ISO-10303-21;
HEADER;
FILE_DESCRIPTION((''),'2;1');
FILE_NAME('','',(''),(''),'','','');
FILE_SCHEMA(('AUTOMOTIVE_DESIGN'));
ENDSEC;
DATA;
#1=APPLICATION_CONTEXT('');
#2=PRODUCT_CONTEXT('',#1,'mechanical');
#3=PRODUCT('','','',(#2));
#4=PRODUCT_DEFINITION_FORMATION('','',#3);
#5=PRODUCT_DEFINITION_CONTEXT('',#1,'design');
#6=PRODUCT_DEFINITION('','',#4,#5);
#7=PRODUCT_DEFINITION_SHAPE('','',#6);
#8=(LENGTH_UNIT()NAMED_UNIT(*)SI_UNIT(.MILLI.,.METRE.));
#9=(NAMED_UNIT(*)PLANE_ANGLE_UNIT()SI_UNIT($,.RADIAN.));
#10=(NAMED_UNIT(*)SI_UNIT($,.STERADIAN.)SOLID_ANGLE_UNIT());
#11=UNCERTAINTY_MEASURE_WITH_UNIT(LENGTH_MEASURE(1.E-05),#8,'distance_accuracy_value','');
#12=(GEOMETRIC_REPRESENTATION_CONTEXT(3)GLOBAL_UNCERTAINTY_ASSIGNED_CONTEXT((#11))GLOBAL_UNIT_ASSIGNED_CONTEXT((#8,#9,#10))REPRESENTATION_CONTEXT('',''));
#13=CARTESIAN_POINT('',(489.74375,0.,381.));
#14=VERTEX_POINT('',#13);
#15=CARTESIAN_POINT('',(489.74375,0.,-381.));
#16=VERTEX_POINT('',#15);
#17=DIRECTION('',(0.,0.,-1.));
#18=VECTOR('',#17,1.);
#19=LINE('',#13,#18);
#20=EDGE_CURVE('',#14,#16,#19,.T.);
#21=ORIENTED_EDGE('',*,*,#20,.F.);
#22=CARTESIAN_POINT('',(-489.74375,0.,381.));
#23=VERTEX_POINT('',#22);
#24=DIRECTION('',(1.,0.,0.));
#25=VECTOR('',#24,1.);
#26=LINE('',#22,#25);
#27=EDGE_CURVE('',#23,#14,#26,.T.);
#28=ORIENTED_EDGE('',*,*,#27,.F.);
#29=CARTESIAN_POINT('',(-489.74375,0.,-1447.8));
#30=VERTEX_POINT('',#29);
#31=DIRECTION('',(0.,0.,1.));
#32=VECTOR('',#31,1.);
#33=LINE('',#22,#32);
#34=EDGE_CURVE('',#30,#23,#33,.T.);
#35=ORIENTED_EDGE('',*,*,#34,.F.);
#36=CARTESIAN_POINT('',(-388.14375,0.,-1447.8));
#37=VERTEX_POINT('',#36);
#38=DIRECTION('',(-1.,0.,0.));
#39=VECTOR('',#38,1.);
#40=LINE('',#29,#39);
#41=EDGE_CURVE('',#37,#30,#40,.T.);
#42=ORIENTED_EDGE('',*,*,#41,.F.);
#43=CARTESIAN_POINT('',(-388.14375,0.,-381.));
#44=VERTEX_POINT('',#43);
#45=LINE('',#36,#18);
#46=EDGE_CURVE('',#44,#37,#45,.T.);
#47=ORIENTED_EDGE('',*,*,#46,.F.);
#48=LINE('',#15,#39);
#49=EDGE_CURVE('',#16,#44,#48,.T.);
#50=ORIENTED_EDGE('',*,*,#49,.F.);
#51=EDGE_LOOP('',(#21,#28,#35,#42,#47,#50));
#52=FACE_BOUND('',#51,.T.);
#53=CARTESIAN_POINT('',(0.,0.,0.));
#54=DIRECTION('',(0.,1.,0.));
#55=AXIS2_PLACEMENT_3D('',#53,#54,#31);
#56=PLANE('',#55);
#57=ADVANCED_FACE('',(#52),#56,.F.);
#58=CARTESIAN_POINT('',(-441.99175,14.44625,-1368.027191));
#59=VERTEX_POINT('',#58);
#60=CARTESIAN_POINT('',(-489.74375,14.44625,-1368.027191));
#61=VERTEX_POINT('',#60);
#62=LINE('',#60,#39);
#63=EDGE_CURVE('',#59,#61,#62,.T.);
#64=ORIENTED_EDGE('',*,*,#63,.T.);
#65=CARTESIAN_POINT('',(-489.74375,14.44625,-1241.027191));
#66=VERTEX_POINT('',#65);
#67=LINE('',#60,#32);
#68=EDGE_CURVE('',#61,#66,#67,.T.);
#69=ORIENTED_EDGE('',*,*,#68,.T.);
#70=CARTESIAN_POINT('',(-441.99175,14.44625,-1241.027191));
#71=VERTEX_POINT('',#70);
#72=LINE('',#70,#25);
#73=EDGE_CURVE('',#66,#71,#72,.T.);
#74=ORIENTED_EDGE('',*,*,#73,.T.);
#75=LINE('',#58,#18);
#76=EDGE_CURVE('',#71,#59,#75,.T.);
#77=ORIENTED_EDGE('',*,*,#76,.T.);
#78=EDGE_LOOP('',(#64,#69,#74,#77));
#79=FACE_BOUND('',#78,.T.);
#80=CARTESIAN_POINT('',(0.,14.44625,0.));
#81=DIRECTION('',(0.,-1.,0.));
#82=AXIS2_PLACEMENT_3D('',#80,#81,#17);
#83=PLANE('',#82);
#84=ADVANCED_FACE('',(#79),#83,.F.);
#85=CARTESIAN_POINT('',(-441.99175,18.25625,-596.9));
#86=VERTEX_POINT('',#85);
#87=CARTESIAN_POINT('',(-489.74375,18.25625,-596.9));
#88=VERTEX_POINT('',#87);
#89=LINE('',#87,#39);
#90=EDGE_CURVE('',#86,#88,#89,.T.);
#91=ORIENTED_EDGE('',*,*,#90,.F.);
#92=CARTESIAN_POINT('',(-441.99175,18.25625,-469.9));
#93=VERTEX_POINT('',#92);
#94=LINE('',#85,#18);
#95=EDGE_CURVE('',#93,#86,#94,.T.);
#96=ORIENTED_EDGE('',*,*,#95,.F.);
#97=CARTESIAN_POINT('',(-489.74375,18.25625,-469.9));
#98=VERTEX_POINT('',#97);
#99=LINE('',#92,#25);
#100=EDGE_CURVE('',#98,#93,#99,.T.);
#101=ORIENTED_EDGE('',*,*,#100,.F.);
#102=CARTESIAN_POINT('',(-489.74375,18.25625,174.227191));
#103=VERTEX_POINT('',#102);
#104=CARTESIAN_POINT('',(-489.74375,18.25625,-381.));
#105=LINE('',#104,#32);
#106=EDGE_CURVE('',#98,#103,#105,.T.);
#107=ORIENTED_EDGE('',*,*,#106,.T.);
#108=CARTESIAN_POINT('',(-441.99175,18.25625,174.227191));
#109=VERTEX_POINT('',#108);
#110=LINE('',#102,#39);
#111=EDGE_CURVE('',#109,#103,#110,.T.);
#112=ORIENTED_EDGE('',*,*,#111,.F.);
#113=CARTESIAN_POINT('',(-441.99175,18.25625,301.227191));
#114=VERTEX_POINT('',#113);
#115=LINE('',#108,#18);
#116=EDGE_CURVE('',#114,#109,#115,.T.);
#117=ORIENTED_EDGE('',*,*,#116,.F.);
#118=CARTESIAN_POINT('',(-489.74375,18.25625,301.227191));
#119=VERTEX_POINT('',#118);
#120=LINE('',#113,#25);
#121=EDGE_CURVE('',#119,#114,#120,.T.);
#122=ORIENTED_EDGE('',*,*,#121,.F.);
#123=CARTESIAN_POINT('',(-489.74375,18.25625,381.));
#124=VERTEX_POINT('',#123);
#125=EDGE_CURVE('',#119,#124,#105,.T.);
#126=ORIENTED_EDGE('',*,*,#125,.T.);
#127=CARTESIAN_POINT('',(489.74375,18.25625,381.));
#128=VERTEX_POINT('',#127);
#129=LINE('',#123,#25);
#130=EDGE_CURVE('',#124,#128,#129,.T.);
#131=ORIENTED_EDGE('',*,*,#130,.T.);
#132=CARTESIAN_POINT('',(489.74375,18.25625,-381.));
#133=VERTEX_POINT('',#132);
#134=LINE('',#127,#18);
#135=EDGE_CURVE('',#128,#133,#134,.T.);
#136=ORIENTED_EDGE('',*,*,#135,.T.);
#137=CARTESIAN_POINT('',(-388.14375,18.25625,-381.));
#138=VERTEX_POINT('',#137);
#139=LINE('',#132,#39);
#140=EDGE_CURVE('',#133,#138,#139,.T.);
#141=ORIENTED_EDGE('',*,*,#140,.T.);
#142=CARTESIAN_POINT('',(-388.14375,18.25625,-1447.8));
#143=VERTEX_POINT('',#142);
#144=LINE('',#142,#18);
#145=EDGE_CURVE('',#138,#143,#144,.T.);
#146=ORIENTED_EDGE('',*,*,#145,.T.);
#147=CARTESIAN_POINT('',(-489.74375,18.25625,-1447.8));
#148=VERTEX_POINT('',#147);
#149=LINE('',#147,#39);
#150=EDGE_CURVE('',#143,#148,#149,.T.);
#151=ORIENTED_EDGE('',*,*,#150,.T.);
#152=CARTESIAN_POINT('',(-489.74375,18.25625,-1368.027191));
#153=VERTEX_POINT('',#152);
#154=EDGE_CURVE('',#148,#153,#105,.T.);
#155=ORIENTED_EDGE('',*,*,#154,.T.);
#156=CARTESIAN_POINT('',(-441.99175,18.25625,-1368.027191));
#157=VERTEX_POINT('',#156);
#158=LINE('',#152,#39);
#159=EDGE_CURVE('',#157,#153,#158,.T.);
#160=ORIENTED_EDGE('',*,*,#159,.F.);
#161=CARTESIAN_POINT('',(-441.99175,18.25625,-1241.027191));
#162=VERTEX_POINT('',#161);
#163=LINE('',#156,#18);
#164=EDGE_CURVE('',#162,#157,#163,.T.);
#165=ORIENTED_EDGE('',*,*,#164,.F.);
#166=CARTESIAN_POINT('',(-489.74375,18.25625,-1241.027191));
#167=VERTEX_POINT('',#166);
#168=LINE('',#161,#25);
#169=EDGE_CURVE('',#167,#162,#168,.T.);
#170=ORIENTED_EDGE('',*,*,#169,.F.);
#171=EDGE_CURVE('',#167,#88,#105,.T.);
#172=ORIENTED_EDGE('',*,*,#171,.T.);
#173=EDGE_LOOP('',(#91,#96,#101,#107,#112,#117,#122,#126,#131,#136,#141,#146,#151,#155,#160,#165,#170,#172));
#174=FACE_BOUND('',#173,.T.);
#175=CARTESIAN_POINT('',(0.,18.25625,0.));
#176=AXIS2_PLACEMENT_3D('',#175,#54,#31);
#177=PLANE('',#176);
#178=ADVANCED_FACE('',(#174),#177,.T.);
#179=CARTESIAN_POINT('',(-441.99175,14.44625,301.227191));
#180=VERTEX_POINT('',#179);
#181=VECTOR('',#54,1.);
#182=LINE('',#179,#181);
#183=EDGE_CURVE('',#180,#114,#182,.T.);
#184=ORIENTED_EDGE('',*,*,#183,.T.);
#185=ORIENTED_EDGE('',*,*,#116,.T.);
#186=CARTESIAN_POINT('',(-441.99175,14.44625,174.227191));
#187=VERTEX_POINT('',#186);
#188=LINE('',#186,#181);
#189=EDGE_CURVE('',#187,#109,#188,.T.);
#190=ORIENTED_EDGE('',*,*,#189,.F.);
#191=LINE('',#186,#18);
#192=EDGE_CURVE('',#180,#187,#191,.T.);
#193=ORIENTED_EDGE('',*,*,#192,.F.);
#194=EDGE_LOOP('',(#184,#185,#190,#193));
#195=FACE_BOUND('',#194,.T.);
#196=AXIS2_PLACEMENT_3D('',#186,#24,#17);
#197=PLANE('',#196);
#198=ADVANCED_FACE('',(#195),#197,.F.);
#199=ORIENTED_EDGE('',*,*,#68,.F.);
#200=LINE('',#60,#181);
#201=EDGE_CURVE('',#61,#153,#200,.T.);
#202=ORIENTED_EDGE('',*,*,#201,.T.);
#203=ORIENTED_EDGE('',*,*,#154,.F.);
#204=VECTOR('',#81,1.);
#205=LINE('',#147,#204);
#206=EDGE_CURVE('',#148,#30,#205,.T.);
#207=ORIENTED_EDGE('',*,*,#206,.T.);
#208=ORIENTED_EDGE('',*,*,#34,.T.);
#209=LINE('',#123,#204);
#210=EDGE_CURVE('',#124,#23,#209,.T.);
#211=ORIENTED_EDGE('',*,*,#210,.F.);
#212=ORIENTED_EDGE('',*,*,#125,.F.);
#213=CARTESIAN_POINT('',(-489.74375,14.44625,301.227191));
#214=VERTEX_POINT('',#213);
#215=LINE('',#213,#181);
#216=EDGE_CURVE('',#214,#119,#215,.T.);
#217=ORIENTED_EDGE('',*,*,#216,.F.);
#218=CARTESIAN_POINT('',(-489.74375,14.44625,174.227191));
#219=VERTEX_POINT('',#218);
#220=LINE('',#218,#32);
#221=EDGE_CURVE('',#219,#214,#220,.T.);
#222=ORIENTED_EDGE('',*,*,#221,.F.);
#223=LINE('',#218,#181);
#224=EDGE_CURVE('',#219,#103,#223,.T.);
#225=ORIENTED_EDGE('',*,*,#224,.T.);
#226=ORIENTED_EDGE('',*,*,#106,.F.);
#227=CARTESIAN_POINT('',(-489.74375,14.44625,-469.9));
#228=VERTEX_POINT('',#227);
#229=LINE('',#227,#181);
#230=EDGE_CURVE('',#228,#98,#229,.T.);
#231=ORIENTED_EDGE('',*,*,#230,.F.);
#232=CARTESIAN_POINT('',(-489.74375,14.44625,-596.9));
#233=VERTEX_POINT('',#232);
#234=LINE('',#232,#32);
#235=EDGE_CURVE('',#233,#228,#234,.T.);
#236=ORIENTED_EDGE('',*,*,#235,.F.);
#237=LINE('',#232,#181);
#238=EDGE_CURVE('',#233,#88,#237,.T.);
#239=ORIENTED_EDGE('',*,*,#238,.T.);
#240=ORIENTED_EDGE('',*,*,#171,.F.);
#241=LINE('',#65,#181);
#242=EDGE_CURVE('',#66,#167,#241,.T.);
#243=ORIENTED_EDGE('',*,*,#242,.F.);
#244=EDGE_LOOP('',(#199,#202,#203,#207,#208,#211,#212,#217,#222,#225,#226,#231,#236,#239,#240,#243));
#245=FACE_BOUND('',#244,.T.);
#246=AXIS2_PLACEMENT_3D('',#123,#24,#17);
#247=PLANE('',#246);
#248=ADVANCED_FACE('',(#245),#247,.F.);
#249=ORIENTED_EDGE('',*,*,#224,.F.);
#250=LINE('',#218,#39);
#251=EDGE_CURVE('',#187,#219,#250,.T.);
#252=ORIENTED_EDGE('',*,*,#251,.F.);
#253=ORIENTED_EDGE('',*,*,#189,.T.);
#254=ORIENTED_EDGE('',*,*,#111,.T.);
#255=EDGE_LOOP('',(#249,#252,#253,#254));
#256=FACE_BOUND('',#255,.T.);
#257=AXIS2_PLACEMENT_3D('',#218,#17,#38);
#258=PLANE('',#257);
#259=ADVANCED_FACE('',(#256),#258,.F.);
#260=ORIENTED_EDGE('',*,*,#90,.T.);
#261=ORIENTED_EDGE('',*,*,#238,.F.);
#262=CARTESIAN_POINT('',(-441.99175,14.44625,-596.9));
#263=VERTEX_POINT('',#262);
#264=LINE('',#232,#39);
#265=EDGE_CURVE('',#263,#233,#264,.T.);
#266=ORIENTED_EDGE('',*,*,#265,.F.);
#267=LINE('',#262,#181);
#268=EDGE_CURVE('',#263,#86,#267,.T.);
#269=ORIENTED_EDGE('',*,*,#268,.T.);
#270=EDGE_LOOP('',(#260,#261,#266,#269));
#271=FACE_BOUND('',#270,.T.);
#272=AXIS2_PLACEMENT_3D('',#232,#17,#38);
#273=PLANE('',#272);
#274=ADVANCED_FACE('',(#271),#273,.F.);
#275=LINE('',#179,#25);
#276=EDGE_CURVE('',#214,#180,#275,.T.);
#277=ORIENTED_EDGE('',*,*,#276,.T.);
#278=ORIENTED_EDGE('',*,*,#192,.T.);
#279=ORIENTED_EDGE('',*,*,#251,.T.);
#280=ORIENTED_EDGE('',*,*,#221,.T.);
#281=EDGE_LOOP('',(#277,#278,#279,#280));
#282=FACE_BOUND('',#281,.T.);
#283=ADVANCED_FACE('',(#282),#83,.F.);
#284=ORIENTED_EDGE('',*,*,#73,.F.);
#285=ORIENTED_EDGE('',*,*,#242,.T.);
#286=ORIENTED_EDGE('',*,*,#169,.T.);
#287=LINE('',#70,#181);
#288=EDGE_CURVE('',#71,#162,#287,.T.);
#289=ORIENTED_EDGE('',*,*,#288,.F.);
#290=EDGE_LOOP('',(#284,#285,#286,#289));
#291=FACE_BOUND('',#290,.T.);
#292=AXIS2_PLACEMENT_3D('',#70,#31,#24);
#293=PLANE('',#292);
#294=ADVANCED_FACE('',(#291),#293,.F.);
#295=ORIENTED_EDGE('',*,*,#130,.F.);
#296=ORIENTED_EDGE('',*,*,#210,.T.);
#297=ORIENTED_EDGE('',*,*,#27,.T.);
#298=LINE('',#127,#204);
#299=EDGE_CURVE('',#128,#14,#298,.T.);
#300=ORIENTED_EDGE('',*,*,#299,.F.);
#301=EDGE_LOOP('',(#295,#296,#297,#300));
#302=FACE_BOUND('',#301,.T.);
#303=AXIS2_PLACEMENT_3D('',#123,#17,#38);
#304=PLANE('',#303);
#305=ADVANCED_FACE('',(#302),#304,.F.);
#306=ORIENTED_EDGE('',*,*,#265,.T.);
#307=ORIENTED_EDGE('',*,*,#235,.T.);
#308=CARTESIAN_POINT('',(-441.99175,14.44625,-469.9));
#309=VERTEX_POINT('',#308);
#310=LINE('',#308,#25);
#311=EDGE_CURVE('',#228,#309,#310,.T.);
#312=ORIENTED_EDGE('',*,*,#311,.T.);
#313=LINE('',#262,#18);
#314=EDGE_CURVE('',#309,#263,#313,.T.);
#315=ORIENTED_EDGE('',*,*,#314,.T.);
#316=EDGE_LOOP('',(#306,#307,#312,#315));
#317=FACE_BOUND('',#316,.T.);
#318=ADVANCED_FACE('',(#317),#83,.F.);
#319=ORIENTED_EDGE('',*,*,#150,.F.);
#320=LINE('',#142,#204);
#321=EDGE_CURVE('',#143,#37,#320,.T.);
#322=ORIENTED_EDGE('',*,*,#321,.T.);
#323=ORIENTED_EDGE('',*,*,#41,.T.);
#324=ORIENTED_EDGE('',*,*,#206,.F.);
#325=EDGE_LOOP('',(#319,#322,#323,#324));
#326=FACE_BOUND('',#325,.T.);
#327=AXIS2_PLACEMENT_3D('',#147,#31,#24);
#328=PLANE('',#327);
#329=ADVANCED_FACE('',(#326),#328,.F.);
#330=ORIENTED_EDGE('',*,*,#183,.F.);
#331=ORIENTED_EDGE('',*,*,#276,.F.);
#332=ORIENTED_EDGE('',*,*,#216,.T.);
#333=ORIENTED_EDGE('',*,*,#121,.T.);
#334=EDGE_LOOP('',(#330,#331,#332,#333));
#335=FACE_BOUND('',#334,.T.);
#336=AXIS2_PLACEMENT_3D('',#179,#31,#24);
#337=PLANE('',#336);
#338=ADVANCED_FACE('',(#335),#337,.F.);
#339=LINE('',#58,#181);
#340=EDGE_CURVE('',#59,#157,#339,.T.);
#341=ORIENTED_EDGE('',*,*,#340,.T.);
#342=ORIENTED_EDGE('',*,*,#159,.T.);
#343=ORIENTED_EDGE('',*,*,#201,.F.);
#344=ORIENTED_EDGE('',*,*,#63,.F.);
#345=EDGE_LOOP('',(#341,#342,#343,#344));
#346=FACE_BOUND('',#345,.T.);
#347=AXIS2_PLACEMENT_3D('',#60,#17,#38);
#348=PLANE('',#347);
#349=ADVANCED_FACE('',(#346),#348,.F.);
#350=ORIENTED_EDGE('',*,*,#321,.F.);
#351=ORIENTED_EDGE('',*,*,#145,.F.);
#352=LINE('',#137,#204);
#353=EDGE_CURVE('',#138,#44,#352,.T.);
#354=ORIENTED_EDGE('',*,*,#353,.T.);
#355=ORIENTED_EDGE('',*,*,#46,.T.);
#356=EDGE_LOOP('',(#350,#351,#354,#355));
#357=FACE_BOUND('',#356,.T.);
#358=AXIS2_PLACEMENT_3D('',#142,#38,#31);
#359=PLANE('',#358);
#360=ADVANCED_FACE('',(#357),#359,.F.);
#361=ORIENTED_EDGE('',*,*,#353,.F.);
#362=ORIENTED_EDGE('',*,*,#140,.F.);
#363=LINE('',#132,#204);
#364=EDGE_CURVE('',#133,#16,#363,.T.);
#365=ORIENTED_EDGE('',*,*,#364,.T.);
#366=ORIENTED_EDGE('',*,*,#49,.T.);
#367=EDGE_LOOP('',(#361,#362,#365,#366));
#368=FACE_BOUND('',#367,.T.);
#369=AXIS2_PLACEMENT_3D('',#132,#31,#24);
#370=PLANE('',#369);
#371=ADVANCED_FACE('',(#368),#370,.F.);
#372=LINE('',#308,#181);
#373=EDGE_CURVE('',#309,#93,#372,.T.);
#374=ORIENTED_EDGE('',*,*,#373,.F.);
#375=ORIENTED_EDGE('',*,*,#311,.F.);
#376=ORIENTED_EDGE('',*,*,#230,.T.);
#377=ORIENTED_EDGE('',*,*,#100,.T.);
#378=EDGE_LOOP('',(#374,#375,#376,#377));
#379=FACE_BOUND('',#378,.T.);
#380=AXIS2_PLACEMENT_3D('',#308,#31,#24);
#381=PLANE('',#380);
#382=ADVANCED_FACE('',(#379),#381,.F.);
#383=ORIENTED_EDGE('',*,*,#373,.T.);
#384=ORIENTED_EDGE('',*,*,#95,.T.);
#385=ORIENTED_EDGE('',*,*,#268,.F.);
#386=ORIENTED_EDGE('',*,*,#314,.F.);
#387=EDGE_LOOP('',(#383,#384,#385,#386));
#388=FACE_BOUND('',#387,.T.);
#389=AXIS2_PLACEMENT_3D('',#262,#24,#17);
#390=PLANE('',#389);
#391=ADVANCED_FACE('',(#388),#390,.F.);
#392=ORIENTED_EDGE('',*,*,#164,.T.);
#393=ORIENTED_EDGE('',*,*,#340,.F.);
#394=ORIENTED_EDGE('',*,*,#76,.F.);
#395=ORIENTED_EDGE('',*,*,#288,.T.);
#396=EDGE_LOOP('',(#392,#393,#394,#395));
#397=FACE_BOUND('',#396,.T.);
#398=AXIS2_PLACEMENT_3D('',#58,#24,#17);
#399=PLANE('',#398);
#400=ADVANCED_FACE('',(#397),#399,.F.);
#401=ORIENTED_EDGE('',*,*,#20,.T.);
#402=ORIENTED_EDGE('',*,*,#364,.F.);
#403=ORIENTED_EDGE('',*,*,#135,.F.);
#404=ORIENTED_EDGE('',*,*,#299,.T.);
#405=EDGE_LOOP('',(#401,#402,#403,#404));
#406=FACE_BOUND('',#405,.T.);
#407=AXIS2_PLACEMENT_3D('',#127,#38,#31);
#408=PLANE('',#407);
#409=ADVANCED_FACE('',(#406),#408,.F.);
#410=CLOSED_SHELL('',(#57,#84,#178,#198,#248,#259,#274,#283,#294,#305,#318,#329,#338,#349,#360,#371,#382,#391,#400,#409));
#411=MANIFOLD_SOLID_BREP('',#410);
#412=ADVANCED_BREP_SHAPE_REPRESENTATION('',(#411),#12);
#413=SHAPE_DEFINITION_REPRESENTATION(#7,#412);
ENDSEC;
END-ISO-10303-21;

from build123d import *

# Parameters (mm, degrees)
BOSS_EXTRUDE1_DEPTH = 18.25625
SKETCH2_W           = 47.752
SKETCH2_H           = 127
CUT_EXTRUDE1_DEPTH  = 3.81


with BuildPart() as part:
    # Sketch1 → Boss-Extrude1 (new body)
    with BuildSketch(Plane(origin=(0, 0, 0), x_dir=(1, 0, 0), z_dir=(0, 1, 0))):
        Polygon((-489.74375, 381), (-489.74375, 1447.8), (-388.14375, 1447.8), (-388.14375, 381), (489.74375, 381), (489.74375, -381), (-489.74375, -381), align=None)
    extrude(amount=BOSS_EXTRUDE1_DEPTH)

    # Sketch2 → Cut-Extrude1 (cut)
    with BuildSketch(Plane(origin=(0, 18.25625, 0), x_dir=(1, 0, 0), z_dir=(0, 1, 0))):
        with Locations((-465.86775, 1304.527191457)):
            Rectangle(SKETCH2_W, SKETCH2_H)
        with Locations((-465.86775, 533.4)):
            Rectangle(SKETCH2_W, SKETCH2_H)
        with Locations((-465.86775, -237.727191457)):
            Rectangle(SKETCH2_W, SKETCH2_H)
    extrude(amount=-CUT_EXTRUDE1_DEPTH, mode=Mode.SUBTRACT)


solid = part.part
